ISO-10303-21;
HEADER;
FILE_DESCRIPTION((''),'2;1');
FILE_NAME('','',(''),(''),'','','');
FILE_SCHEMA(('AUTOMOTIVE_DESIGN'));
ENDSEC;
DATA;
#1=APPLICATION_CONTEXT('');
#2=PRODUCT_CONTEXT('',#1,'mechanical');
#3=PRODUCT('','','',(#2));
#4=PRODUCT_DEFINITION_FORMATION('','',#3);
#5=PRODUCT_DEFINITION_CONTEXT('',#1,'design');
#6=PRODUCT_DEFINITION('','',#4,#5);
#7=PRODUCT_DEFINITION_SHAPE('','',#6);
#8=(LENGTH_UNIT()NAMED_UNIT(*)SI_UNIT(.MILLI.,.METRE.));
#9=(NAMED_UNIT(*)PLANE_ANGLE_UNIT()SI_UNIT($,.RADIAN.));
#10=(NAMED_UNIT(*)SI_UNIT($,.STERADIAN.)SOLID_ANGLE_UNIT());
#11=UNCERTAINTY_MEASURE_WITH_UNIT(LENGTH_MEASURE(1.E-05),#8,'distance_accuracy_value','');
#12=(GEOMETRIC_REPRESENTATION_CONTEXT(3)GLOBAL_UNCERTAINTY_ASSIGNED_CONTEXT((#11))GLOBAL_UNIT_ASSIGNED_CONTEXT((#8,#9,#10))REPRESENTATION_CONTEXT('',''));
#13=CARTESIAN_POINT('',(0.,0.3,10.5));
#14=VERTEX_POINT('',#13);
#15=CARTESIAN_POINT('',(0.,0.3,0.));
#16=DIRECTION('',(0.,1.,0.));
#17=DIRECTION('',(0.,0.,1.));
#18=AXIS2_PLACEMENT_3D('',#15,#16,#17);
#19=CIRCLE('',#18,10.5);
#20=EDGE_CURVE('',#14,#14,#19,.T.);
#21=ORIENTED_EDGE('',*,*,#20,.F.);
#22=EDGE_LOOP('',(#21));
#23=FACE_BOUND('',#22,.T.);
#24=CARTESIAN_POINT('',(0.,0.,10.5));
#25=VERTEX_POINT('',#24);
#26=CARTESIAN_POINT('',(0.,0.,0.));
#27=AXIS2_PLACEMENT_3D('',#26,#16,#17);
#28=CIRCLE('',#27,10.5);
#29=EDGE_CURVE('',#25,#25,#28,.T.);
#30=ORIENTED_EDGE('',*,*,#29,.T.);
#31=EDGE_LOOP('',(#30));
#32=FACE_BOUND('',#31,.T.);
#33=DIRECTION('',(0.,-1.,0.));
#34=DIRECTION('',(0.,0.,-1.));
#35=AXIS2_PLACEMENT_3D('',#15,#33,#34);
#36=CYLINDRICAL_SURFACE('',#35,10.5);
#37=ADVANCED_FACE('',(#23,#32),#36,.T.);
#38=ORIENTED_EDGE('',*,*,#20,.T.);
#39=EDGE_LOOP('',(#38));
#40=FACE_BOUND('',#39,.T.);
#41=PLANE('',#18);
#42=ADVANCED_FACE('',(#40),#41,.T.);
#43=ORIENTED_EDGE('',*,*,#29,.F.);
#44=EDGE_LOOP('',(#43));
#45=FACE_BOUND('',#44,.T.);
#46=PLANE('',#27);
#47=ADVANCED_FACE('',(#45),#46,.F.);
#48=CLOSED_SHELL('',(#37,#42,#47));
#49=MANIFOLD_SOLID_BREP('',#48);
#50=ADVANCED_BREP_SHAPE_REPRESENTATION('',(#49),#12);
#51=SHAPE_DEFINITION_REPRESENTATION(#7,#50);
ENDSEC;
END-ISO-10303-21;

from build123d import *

# Parameters (mm, degrees)
SCHIZZO1_R                   = 10.5
ESTRUSIONE_ESTRUSIONE1_DEPTH = 0.3


with BuildPart() as part:
    # Schizzo1 → Estrusione-Estrusione1 (new body)
    with BuildSketch(Plane(origin=(0, 0, 0), x_dir=(1, 0, 0), z_dir=(0, 1, 0))):
        Circle(SCHIZZO1_R)
    extrude(amount=ESTRUSIONE_ESTRUSIONE1_DEPTH)


solid = part.part
